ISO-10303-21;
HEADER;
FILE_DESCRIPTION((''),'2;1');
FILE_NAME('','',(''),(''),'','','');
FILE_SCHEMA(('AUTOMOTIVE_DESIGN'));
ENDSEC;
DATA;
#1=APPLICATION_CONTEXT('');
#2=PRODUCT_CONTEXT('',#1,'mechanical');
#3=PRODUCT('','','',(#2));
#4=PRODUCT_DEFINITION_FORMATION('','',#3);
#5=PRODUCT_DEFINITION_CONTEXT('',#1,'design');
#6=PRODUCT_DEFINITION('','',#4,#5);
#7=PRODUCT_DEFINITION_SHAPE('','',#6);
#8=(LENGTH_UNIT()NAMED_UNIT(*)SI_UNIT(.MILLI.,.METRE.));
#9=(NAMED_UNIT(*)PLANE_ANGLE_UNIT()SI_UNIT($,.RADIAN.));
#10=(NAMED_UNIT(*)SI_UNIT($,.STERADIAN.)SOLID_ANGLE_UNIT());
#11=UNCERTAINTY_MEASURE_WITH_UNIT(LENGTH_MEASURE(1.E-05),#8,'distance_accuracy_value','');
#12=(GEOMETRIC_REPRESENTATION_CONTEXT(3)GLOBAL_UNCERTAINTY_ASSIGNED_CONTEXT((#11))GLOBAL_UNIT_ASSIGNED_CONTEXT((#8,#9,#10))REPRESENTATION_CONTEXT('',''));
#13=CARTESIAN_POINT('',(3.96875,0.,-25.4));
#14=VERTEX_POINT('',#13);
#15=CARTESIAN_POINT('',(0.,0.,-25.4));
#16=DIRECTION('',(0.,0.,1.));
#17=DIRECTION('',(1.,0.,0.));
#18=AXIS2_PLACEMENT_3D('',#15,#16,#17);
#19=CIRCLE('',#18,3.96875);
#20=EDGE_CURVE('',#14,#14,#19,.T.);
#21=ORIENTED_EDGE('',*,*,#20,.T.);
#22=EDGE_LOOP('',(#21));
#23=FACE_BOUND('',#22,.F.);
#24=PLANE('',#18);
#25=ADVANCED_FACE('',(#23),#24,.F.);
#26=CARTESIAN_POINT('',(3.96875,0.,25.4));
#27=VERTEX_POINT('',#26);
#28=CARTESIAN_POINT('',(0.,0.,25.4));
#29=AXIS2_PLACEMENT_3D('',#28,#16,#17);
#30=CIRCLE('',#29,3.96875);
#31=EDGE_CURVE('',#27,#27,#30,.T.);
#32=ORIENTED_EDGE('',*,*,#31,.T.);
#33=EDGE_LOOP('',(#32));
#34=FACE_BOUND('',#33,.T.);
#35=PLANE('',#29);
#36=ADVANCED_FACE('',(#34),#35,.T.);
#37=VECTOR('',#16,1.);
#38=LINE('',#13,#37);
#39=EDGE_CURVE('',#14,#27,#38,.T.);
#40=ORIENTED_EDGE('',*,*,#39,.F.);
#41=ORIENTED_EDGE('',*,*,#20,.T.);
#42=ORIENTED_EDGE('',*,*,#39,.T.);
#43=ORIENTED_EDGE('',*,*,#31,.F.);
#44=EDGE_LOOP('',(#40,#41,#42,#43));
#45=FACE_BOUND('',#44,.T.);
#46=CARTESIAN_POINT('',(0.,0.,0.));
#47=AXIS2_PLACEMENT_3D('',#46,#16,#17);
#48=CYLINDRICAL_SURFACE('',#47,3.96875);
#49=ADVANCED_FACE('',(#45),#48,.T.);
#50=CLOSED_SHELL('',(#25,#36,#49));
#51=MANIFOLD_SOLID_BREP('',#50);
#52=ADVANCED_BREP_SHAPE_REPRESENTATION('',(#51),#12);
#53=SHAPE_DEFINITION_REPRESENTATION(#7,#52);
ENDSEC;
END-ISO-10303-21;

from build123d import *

# Parameters (mm, degrees)
SKETCH1_R           = 3.96875
BOSS_EXTRUDE1_DEPTH = 25.4


with BuildPart() as part:
    # Sketch1 → Boss-Extrude1 (new body, symmetric)
    with BuildSketch(Plane.XY):
        Circle(SKETCH1_R)
    extrude(amount=BOSS_EXTRUDE1_DEPTH, both=True)


solid = part.part
